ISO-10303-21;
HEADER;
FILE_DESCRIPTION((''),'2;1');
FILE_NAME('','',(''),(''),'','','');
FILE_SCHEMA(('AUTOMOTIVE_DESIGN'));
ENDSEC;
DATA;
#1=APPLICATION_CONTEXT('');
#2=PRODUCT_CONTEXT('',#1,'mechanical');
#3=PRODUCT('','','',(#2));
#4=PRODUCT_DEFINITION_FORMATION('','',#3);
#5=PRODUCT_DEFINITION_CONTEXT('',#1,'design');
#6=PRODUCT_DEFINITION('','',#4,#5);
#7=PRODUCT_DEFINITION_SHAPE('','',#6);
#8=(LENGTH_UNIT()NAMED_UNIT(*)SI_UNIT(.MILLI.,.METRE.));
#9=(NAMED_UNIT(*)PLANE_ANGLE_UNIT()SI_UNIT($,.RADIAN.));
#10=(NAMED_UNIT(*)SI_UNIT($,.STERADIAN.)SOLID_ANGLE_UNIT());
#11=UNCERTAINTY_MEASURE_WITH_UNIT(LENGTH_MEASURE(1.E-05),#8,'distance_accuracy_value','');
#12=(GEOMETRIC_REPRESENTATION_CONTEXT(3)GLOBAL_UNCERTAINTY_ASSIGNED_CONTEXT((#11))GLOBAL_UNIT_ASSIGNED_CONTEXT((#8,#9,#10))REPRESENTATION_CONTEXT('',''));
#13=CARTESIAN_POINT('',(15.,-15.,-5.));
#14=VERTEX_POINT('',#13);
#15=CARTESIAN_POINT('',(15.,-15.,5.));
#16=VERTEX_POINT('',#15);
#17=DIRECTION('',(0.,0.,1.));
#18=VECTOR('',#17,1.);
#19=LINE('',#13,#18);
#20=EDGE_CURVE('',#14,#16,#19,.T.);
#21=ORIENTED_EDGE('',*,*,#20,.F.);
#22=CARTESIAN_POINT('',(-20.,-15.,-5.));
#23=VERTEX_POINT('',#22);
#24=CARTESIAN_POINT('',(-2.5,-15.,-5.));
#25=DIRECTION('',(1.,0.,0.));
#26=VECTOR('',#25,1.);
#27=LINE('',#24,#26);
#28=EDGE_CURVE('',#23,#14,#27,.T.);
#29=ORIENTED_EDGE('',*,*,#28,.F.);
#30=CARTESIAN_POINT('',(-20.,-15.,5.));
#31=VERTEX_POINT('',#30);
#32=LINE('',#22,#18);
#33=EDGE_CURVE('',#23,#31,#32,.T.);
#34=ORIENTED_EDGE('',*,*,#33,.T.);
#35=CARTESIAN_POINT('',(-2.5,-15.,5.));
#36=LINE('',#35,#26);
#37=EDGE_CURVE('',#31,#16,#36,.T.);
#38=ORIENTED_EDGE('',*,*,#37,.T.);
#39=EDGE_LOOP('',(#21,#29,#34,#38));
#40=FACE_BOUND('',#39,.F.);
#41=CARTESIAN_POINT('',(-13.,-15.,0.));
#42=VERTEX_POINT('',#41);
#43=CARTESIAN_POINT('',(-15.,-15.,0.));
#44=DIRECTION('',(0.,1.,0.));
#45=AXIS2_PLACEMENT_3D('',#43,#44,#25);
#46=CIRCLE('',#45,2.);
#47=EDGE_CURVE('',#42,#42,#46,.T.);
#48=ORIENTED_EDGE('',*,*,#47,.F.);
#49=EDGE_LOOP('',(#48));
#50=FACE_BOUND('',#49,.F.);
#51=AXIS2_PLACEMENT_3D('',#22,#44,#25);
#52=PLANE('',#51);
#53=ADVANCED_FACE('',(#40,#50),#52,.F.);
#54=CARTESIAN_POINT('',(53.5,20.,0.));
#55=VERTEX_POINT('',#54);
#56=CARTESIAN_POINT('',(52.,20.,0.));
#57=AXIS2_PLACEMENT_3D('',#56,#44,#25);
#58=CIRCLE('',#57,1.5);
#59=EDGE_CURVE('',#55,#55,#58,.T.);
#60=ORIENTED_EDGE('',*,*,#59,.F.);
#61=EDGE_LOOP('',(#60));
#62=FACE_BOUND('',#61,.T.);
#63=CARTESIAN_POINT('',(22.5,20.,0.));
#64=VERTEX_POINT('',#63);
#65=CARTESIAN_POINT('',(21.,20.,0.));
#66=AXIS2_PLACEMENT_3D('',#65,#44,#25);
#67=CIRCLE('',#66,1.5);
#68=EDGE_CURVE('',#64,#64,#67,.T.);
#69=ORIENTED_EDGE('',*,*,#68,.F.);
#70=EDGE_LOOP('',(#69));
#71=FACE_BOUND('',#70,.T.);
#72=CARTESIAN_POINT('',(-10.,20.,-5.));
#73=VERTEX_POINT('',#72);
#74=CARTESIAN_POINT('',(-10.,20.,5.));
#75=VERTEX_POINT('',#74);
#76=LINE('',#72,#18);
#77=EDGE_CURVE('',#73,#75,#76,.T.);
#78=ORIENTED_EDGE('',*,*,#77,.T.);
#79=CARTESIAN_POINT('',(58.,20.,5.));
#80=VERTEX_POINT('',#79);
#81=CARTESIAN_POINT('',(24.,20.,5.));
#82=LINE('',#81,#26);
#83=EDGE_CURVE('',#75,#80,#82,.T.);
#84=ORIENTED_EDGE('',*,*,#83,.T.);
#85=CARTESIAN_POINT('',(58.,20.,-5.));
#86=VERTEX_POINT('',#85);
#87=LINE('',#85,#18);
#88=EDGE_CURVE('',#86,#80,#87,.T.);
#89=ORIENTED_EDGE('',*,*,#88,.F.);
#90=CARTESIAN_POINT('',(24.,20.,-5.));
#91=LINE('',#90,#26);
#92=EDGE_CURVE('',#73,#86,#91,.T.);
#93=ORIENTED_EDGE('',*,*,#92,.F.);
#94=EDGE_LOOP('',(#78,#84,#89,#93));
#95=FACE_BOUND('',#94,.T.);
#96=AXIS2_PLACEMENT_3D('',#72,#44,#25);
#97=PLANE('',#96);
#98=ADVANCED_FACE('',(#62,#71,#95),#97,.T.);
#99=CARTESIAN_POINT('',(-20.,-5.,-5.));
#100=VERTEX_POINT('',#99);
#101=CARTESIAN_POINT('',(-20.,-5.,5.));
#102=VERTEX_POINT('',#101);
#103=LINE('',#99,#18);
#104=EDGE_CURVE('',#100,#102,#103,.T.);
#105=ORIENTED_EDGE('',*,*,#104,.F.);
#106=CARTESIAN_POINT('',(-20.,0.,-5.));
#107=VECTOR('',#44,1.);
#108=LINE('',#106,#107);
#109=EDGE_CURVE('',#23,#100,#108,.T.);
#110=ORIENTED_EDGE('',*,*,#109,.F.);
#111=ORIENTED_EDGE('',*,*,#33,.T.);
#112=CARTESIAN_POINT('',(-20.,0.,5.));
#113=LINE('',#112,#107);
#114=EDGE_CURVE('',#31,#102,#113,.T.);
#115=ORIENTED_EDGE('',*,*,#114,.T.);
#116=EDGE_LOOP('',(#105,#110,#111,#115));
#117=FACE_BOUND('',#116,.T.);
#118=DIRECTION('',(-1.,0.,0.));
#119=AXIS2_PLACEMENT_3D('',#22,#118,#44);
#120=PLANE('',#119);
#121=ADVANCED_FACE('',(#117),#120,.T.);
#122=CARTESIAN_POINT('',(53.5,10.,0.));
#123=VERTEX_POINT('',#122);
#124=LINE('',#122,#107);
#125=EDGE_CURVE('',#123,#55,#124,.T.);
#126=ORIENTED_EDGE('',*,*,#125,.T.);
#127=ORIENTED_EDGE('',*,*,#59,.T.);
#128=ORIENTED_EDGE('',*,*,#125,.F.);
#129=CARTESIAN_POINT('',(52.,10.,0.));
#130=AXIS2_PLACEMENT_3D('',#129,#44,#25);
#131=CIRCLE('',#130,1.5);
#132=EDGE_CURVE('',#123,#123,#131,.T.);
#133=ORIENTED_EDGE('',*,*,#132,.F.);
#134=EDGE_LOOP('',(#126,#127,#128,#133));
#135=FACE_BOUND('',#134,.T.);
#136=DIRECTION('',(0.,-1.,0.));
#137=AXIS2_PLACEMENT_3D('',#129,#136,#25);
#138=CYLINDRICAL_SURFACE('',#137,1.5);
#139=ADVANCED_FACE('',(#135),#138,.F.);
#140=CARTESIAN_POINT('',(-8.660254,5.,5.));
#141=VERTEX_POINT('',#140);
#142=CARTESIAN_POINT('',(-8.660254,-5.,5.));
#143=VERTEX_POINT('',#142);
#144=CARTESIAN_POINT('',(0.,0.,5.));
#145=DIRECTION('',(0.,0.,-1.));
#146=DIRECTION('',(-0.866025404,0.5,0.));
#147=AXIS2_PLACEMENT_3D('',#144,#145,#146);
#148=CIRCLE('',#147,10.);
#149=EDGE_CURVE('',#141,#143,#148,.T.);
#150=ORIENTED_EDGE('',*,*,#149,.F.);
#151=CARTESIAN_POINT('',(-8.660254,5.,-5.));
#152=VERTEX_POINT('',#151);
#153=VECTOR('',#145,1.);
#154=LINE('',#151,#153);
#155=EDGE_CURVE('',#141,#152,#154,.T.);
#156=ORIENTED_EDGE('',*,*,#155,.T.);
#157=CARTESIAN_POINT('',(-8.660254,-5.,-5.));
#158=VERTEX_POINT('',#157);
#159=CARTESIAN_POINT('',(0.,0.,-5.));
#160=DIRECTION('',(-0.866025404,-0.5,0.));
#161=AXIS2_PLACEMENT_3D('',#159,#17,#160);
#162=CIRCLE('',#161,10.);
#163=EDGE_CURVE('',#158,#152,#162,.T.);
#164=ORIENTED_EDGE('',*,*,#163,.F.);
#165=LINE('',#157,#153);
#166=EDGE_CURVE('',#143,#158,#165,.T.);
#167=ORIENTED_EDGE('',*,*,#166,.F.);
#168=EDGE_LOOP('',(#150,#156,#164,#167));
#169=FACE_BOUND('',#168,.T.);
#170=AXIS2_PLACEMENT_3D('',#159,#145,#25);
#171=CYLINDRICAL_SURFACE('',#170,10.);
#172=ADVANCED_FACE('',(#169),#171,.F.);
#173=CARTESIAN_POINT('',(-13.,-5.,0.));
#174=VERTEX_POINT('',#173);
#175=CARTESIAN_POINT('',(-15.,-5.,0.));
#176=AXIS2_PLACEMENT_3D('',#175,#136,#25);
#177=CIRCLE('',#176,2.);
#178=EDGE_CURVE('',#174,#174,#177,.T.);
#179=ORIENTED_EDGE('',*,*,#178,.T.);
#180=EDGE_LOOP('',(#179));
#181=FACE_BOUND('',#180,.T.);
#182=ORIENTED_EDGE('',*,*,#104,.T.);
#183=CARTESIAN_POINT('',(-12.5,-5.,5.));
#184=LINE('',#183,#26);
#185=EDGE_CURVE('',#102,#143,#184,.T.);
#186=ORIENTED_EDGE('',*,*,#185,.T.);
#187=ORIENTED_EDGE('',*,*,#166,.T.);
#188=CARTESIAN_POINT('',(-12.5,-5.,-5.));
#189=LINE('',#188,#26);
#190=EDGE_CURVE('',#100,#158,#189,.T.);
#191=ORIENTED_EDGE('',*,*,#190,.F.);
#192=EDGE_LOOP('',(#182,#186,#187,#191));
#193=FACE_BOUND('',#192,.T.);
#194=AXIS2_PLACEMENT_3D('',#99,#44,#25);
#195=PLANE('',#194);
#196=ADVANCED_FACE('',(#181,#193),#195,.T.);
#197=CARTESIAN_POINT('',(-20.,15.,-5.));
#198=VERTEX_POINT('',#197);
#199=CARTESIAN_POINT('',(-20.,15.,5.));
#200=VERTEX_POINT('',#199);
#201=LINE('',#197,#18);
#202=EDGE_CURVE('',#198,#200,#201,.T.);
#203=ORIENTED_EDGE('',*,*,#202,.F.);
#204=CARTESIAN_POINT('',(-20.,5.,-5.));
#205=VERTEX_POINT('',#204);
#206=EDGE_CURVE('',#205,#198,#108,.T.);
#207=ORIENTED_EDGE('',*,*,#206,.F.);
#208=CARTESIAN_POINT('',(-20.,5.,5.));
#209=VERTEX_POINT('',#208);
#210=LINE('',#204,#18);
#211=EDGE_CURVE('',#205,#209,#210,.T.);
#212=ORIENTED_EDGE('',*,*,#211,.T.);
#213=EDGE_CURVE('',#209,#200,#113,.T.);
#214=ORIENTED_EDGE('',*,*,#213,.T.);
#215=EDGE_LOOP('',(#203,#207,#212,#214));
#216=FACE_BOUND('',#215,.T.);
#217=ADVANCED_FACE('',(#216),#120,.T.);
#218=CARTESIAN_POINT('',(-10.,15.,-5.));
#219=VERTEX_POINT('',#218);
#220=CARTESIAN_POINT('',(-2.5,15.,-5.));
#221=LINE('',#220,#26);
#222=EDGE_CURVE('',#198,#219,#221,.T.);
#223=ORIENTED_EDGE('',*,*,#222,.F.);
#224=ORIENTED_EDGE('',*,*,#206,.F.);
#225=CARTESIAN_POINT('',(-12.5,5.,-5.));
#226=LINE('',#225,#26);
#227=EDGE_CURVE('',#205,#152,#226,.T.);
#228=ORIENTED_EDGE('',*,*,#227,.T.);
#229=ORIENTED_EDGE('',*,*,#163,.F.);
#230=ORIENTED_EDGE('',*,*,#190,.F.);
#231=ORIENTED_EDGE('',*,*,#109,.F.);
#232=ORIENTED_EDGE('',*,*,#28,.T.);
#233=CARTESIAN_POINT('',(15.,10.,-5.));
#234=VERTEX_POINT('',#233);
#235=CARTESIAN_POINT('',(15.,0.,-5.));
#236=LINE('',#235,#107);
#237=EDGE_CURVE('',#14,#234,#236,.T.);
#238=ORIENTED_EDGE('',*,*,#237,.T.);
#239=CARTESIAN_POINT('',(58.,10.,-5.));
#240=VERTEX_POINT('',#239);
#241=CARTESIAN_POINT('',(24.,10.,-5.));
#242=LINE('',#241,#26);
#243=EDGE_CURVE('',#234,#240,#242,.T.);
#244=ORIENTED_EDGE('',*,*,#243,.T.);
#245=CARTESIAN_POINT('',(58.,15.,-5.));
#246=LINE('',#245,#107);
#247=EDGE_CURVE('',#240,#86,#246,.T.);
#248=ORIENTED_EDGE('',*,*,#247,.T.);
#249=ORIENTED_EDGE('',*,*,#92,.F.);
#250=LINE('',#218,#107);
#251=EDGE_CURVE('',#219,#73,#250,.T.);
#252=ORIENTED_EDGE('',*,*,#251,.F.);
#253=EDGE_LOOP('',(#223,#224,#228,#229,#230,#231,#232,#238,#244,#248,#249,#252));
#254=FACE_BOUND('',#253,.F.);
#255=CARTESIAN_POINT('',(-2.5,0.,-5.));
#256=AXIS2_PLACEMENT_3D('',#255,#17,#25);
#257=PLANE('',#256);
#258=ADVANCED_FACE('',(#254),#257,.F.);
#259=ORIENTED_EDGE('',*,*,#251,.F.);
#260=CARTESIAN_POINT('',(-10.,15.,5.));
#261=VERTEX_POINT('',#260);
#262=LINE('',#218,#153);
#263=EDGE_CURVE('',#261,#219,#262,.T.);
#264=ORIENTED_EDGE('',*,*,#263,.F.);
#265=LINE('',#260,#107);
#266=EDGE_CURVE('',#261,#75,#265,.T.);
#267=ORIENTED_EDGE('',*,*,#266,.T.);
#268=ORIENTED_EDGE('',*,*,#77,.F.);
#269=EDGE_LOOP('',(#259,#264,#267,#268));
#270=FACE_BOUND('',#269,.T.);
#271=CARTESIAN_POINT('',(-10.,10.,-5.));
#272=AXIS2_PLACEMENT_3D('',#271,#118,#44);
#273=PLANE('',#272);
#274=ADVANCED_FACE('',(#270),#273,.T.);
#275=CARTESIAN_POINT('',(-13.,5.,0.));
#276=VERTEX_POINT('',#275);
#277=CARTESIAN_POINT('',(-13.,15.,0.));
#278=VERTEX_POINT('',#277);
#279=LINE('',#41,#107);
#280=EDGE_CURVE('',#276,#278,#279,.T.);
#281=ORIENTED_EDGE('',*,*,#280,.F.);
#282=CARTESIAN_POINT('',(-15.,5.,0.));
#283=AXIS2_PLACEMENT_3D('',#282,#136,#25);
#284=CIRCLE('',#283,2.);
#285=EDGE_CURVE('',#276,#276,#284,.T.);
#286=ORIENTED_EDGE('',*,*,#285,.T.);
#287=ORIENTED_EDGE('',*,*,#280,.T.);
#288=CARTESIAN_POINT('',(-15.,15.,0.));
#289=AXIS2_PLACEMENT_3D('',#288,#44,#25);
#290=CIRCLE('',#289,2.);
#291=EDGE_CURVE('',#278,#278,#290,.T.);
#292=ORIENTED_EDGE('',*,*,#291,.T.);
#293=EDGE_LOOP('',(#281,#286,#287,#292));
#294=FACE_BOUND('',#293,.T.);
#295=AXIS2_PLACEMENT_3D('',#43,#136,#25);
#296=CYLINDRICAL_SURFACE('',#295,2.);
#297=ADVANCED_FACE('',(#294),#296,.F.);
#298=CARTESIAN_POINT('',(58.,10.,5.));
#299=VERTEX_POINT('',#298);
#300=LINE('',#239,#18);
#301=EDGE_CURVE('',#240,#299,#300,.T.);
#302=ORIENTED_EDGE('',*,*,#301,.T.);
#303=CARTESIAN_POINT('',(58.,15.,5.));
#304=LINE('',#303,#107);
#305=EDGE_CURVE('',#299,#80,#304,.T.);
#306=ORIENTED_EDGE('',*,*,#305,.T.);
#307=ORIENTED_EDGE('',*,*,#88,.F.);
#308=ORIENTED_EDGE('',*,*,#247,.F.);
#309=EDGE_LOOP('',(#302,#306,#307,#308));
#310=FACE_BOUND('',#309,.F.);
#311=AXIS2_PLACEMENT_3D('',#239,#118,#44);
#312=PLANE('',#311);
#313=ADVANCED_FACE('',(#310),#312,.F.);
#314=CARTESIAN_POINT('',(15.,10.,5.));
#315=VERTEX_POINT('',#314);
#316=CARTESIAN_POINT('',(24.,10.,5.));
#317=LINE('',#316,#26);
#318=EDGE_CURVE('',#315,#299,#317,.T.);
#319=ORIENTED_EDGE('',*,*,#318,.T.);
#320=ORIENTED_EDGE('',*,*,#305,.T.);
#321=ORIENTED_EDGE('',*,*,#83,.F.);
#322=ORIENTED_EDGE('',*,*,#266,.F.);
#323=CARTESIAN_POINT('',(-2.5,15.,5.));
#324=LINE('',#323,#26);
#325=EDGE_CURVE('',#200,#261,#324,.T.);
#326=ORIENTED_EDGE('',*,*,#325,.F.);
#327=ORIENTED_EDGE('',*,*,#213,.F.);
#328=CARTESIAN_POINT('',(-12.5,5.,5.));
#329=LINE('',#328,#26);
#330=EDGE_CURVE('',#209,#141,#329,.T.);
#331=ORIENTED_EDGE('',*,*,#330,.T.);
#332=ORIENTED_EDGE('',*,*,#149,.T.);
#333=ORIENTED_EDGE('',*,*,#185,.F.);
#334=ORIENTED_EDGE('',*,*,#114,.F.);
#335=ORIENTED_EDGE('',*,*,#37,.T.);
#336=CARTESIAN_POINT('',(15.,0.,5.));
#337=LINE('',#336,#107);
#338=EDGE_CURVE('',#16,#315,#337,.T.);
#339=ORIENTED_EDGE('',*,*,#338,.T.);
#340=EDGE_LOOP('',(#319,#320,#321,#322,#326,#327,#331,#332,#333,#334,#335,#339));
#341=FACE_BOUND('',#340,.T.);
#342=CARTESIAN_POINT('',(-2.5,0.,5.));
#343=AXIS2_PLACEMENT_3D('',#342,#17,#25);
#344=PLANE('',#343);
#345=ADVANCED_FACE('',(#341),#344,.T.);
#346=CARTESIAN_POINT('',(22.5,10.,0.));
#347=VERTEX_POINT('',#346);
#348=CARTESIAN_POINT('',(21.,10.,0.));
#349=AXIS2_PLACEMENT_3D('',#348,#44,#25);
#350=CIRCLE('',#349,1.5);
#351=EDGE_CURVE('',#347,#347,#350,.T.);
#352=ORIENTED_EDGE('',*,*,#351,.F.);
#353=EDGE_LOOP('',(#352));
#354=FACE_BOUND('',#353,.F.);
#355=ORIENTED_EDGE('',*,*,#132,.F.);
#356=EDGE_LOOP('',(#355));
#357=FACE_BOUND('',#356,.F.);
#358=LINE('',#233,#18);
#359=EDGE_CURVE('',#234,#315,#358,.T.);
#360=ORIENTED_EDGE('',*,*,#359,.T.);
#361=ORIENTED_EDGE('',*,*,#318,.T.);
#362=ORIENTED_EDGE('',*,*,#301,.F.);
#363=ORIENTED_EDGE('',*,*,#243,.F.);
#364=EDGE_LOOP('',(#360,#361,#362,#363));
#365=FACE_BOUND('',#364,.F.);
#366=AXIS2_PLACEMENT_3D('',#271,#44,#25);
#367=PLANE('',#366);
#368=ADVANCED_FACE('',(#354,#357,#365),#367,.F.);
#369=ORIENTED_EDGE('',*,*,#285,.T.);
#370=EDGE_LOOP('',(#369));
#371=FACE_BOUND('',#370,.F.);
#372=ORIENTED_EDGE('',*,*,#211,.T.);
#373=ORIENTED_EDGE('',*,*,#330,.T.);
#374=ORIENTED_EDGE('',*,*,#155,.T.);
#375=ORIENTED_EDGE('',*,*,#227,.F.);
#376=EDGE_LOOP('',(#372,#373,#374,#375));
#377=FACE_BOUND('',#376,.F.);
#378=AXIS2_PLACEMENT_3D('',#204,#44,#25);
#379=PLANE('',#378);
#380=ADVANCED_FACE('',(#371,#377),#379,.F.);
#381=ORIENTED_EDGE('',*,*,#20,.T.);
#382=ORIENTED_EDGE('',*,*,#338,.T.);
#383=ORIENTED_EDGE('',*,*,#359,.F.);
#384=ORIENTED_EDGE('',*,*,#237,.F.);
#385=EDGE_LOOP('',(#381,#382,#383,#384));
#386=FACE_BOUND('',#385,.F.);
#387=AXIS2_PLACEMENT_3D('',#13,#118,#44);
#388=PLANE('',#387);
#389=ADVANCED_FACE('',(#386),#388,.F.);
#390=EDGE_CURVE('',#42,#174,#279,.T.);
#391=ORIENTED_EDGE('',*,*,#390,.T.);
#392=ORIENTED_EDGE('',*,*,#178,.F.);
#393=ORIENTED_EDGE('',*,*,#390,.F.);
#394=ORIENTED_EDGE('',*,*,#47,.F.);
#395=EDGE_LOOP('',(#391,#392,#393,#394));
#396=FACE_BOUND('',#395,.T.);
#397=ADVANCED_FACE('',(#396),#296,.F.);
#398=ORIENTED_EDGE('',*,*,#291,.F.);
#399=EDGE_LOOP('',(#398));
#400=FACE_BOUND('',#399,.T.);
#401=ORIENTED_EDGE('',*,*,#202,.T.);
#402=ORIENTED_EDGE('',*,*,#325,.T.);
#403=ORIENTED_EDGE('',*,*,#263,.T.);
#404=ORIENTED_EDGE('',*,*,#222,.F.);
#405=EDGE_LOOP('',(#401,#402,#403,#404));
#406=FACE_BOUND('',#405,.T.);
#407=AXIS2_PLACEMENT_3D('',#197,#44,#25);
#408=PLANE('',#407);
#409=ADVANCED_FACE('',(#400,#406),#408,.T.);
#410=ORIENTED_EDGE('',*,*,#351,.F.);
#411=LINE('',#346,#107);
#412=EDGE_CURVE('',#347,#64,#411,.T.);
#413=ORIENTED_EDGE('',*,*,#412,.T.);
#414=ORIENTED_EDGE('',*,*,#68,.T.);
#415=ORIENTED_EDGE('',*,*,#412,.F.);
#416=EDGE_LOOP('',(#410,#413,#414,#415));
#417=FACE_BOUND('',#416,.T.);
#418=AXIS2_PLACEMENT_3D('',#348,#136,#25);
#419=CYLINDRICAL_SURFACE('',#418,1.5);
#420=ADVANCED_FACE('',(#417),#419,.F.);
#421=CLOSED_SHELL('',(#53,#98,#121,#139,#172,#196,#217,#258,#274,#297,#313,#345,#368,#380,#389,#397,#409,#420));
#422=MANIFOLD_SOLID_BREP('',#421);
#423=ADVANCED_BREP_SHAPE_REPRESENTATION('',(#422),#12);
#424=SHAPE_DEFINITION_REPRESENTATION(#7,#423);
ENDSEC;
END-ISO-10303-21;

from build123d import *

# Parameters (mm, degrees)
CYLINDER_R             = 10
CYLINDER_DEPTH         = 10
CYLINDER001_R          = 2
CYLINDER001_DEPTH      = 30
CYLINDER001_ROLL_ANGLE = -90
CYLINDER003_R          = 1.5
CYLINDER003_DEPTH      = 10
CYLINDER003_ROLL_ANGLE = -90
CYLINDER002_R          = 1.5
CYLINDER002_DEPTH      = 10
CYLINDER002_ROLL_ANGLE = -90
BOX001_W               = 15
BOX001_H               = 10
BOX001_DEPTH           = 10
BOX_W                  = 35
BOX_H                  = 30
BOX_DEPTH              = 10
BOX002_W               = 68
BOX002_H               = 10
BOX002_DEPTH           = 10


with BuildPart() as cylinder:
    # Cylinder → Cylinder (new body)
    with BuildSketch(Plane.XY.offset(-5)):
        Circle(CYLINDER_R)
    extrude(amount=CYLINDER_DEPTH)


with BuildPart() as cylinder001:
    # Cylinder001 → Cylinder001 (new body)
    with BuildSketch(Plane.XY):
        Circle(CYLINDER001_R)
    extrude(amount=CYLINDER001_DEPTH)


with BuildPart() as cylinder001_1:
    # Cylinder001 roll: moved
    add(cylinder001.part.rotate(Axis((0, 0, 0), (1, 0, 0)), CYLINDER001_ROLL_ANGLE))


with BuildPart() as cylinder001_2:
    # Cylinder001 placement: moved
    add(cylinder001_1.part.moved(Location((-15, -15, 0))))


with BuildPart() as cylinder003:
    # Cylinder003 → Cylinder003 (new body)
    with BuildSketch(Plane.XY):
        Circle(CYLINDER003_R)
    extrude(amount=CYLINDER003_DEPTH)


with BuildPart() as cylinder003_1:
    # Cylinder003 roll: moved
    add(cylinder003.part.rotate(Axis((0, 0, 0), (1, 0, 0)), CYLINDER003_ROLL_ANGLE))


with BuildPart() as cylinder003_2:
    # Cylinder003 placement: moved
    add(cylinder003_1.part.moved(Location((52, 10, 0))))


with BuildPart() as cylinder002:
    # Cylinder002 → Cylinder002 (new body)
    with BuildSketch(Plane.XY):
        Circle(CYLINDER002_R)
    extrude(amount=CYLINDER002_DEPTH)


with BuildPart() as cylinder002_1:
    # Cylinder002 roll: moved
    add(cylinder002.part.rotate(Axis((0, 0, 0), (1, 0, 0)), CYLINDER002_ROLL_ANGLE))


with BuildPart() as cylinder002_2:
    # Cylinder002 placement: moved
    add(cylinder002_1.part.moved(Location((21, 10, 0))))


with BuildPart() as negative_fusion:
    # Box001 → Box001 (new body)
    with BuildSketch(Plane(origin=(-20, -5, -5), x_dir=(1, 0, 0), z_dir=(0, 0, 1))):
        with Locations((7.5, 5)):
            Rectangle(BOX001_W, BOX001_H)
    extrude(amount=BOX001_DEPTH)

    # Fusion: union Cylinder, Cylinder001, Cylinder003, Cylinder002
    add(cylinder.part)
    add(cylinder001_2.part)
    add(cylinder003_2.part)
    add(cylinder002_2.part)


with BuildPart() as cube:
    # Box → Box (new body)
    with BuildSketch(Plane(origin=(-20, -15, -5), x_dir=(1, 0, 0), z_dir=(0, 0, 1))):
        with Locations((17.5, 15)):
            Rectangle(BOX_W, BOX_H)
    extrude(amount=BOX_DEPTH)


with BuildPart() as cut:
    # Box002 → Box002 (new body)
    with BuildSketch(Plane(origin=(-10, 10, -5), x_dir=(1, 0, 0), z_dir=(0, 0, 1))):
        with Locations((34, 5)):
            Rectangle(BOX002_W, BOX002_H)
    extrude(amount=BOX002_DEPTH)

    # Fusion001: union Cube
    add(cube.part)

    # Cut: cut Negative Fusion
    add(negative_fusion.part, mode=Mode.SUBTRACT)


solid = cut.part
